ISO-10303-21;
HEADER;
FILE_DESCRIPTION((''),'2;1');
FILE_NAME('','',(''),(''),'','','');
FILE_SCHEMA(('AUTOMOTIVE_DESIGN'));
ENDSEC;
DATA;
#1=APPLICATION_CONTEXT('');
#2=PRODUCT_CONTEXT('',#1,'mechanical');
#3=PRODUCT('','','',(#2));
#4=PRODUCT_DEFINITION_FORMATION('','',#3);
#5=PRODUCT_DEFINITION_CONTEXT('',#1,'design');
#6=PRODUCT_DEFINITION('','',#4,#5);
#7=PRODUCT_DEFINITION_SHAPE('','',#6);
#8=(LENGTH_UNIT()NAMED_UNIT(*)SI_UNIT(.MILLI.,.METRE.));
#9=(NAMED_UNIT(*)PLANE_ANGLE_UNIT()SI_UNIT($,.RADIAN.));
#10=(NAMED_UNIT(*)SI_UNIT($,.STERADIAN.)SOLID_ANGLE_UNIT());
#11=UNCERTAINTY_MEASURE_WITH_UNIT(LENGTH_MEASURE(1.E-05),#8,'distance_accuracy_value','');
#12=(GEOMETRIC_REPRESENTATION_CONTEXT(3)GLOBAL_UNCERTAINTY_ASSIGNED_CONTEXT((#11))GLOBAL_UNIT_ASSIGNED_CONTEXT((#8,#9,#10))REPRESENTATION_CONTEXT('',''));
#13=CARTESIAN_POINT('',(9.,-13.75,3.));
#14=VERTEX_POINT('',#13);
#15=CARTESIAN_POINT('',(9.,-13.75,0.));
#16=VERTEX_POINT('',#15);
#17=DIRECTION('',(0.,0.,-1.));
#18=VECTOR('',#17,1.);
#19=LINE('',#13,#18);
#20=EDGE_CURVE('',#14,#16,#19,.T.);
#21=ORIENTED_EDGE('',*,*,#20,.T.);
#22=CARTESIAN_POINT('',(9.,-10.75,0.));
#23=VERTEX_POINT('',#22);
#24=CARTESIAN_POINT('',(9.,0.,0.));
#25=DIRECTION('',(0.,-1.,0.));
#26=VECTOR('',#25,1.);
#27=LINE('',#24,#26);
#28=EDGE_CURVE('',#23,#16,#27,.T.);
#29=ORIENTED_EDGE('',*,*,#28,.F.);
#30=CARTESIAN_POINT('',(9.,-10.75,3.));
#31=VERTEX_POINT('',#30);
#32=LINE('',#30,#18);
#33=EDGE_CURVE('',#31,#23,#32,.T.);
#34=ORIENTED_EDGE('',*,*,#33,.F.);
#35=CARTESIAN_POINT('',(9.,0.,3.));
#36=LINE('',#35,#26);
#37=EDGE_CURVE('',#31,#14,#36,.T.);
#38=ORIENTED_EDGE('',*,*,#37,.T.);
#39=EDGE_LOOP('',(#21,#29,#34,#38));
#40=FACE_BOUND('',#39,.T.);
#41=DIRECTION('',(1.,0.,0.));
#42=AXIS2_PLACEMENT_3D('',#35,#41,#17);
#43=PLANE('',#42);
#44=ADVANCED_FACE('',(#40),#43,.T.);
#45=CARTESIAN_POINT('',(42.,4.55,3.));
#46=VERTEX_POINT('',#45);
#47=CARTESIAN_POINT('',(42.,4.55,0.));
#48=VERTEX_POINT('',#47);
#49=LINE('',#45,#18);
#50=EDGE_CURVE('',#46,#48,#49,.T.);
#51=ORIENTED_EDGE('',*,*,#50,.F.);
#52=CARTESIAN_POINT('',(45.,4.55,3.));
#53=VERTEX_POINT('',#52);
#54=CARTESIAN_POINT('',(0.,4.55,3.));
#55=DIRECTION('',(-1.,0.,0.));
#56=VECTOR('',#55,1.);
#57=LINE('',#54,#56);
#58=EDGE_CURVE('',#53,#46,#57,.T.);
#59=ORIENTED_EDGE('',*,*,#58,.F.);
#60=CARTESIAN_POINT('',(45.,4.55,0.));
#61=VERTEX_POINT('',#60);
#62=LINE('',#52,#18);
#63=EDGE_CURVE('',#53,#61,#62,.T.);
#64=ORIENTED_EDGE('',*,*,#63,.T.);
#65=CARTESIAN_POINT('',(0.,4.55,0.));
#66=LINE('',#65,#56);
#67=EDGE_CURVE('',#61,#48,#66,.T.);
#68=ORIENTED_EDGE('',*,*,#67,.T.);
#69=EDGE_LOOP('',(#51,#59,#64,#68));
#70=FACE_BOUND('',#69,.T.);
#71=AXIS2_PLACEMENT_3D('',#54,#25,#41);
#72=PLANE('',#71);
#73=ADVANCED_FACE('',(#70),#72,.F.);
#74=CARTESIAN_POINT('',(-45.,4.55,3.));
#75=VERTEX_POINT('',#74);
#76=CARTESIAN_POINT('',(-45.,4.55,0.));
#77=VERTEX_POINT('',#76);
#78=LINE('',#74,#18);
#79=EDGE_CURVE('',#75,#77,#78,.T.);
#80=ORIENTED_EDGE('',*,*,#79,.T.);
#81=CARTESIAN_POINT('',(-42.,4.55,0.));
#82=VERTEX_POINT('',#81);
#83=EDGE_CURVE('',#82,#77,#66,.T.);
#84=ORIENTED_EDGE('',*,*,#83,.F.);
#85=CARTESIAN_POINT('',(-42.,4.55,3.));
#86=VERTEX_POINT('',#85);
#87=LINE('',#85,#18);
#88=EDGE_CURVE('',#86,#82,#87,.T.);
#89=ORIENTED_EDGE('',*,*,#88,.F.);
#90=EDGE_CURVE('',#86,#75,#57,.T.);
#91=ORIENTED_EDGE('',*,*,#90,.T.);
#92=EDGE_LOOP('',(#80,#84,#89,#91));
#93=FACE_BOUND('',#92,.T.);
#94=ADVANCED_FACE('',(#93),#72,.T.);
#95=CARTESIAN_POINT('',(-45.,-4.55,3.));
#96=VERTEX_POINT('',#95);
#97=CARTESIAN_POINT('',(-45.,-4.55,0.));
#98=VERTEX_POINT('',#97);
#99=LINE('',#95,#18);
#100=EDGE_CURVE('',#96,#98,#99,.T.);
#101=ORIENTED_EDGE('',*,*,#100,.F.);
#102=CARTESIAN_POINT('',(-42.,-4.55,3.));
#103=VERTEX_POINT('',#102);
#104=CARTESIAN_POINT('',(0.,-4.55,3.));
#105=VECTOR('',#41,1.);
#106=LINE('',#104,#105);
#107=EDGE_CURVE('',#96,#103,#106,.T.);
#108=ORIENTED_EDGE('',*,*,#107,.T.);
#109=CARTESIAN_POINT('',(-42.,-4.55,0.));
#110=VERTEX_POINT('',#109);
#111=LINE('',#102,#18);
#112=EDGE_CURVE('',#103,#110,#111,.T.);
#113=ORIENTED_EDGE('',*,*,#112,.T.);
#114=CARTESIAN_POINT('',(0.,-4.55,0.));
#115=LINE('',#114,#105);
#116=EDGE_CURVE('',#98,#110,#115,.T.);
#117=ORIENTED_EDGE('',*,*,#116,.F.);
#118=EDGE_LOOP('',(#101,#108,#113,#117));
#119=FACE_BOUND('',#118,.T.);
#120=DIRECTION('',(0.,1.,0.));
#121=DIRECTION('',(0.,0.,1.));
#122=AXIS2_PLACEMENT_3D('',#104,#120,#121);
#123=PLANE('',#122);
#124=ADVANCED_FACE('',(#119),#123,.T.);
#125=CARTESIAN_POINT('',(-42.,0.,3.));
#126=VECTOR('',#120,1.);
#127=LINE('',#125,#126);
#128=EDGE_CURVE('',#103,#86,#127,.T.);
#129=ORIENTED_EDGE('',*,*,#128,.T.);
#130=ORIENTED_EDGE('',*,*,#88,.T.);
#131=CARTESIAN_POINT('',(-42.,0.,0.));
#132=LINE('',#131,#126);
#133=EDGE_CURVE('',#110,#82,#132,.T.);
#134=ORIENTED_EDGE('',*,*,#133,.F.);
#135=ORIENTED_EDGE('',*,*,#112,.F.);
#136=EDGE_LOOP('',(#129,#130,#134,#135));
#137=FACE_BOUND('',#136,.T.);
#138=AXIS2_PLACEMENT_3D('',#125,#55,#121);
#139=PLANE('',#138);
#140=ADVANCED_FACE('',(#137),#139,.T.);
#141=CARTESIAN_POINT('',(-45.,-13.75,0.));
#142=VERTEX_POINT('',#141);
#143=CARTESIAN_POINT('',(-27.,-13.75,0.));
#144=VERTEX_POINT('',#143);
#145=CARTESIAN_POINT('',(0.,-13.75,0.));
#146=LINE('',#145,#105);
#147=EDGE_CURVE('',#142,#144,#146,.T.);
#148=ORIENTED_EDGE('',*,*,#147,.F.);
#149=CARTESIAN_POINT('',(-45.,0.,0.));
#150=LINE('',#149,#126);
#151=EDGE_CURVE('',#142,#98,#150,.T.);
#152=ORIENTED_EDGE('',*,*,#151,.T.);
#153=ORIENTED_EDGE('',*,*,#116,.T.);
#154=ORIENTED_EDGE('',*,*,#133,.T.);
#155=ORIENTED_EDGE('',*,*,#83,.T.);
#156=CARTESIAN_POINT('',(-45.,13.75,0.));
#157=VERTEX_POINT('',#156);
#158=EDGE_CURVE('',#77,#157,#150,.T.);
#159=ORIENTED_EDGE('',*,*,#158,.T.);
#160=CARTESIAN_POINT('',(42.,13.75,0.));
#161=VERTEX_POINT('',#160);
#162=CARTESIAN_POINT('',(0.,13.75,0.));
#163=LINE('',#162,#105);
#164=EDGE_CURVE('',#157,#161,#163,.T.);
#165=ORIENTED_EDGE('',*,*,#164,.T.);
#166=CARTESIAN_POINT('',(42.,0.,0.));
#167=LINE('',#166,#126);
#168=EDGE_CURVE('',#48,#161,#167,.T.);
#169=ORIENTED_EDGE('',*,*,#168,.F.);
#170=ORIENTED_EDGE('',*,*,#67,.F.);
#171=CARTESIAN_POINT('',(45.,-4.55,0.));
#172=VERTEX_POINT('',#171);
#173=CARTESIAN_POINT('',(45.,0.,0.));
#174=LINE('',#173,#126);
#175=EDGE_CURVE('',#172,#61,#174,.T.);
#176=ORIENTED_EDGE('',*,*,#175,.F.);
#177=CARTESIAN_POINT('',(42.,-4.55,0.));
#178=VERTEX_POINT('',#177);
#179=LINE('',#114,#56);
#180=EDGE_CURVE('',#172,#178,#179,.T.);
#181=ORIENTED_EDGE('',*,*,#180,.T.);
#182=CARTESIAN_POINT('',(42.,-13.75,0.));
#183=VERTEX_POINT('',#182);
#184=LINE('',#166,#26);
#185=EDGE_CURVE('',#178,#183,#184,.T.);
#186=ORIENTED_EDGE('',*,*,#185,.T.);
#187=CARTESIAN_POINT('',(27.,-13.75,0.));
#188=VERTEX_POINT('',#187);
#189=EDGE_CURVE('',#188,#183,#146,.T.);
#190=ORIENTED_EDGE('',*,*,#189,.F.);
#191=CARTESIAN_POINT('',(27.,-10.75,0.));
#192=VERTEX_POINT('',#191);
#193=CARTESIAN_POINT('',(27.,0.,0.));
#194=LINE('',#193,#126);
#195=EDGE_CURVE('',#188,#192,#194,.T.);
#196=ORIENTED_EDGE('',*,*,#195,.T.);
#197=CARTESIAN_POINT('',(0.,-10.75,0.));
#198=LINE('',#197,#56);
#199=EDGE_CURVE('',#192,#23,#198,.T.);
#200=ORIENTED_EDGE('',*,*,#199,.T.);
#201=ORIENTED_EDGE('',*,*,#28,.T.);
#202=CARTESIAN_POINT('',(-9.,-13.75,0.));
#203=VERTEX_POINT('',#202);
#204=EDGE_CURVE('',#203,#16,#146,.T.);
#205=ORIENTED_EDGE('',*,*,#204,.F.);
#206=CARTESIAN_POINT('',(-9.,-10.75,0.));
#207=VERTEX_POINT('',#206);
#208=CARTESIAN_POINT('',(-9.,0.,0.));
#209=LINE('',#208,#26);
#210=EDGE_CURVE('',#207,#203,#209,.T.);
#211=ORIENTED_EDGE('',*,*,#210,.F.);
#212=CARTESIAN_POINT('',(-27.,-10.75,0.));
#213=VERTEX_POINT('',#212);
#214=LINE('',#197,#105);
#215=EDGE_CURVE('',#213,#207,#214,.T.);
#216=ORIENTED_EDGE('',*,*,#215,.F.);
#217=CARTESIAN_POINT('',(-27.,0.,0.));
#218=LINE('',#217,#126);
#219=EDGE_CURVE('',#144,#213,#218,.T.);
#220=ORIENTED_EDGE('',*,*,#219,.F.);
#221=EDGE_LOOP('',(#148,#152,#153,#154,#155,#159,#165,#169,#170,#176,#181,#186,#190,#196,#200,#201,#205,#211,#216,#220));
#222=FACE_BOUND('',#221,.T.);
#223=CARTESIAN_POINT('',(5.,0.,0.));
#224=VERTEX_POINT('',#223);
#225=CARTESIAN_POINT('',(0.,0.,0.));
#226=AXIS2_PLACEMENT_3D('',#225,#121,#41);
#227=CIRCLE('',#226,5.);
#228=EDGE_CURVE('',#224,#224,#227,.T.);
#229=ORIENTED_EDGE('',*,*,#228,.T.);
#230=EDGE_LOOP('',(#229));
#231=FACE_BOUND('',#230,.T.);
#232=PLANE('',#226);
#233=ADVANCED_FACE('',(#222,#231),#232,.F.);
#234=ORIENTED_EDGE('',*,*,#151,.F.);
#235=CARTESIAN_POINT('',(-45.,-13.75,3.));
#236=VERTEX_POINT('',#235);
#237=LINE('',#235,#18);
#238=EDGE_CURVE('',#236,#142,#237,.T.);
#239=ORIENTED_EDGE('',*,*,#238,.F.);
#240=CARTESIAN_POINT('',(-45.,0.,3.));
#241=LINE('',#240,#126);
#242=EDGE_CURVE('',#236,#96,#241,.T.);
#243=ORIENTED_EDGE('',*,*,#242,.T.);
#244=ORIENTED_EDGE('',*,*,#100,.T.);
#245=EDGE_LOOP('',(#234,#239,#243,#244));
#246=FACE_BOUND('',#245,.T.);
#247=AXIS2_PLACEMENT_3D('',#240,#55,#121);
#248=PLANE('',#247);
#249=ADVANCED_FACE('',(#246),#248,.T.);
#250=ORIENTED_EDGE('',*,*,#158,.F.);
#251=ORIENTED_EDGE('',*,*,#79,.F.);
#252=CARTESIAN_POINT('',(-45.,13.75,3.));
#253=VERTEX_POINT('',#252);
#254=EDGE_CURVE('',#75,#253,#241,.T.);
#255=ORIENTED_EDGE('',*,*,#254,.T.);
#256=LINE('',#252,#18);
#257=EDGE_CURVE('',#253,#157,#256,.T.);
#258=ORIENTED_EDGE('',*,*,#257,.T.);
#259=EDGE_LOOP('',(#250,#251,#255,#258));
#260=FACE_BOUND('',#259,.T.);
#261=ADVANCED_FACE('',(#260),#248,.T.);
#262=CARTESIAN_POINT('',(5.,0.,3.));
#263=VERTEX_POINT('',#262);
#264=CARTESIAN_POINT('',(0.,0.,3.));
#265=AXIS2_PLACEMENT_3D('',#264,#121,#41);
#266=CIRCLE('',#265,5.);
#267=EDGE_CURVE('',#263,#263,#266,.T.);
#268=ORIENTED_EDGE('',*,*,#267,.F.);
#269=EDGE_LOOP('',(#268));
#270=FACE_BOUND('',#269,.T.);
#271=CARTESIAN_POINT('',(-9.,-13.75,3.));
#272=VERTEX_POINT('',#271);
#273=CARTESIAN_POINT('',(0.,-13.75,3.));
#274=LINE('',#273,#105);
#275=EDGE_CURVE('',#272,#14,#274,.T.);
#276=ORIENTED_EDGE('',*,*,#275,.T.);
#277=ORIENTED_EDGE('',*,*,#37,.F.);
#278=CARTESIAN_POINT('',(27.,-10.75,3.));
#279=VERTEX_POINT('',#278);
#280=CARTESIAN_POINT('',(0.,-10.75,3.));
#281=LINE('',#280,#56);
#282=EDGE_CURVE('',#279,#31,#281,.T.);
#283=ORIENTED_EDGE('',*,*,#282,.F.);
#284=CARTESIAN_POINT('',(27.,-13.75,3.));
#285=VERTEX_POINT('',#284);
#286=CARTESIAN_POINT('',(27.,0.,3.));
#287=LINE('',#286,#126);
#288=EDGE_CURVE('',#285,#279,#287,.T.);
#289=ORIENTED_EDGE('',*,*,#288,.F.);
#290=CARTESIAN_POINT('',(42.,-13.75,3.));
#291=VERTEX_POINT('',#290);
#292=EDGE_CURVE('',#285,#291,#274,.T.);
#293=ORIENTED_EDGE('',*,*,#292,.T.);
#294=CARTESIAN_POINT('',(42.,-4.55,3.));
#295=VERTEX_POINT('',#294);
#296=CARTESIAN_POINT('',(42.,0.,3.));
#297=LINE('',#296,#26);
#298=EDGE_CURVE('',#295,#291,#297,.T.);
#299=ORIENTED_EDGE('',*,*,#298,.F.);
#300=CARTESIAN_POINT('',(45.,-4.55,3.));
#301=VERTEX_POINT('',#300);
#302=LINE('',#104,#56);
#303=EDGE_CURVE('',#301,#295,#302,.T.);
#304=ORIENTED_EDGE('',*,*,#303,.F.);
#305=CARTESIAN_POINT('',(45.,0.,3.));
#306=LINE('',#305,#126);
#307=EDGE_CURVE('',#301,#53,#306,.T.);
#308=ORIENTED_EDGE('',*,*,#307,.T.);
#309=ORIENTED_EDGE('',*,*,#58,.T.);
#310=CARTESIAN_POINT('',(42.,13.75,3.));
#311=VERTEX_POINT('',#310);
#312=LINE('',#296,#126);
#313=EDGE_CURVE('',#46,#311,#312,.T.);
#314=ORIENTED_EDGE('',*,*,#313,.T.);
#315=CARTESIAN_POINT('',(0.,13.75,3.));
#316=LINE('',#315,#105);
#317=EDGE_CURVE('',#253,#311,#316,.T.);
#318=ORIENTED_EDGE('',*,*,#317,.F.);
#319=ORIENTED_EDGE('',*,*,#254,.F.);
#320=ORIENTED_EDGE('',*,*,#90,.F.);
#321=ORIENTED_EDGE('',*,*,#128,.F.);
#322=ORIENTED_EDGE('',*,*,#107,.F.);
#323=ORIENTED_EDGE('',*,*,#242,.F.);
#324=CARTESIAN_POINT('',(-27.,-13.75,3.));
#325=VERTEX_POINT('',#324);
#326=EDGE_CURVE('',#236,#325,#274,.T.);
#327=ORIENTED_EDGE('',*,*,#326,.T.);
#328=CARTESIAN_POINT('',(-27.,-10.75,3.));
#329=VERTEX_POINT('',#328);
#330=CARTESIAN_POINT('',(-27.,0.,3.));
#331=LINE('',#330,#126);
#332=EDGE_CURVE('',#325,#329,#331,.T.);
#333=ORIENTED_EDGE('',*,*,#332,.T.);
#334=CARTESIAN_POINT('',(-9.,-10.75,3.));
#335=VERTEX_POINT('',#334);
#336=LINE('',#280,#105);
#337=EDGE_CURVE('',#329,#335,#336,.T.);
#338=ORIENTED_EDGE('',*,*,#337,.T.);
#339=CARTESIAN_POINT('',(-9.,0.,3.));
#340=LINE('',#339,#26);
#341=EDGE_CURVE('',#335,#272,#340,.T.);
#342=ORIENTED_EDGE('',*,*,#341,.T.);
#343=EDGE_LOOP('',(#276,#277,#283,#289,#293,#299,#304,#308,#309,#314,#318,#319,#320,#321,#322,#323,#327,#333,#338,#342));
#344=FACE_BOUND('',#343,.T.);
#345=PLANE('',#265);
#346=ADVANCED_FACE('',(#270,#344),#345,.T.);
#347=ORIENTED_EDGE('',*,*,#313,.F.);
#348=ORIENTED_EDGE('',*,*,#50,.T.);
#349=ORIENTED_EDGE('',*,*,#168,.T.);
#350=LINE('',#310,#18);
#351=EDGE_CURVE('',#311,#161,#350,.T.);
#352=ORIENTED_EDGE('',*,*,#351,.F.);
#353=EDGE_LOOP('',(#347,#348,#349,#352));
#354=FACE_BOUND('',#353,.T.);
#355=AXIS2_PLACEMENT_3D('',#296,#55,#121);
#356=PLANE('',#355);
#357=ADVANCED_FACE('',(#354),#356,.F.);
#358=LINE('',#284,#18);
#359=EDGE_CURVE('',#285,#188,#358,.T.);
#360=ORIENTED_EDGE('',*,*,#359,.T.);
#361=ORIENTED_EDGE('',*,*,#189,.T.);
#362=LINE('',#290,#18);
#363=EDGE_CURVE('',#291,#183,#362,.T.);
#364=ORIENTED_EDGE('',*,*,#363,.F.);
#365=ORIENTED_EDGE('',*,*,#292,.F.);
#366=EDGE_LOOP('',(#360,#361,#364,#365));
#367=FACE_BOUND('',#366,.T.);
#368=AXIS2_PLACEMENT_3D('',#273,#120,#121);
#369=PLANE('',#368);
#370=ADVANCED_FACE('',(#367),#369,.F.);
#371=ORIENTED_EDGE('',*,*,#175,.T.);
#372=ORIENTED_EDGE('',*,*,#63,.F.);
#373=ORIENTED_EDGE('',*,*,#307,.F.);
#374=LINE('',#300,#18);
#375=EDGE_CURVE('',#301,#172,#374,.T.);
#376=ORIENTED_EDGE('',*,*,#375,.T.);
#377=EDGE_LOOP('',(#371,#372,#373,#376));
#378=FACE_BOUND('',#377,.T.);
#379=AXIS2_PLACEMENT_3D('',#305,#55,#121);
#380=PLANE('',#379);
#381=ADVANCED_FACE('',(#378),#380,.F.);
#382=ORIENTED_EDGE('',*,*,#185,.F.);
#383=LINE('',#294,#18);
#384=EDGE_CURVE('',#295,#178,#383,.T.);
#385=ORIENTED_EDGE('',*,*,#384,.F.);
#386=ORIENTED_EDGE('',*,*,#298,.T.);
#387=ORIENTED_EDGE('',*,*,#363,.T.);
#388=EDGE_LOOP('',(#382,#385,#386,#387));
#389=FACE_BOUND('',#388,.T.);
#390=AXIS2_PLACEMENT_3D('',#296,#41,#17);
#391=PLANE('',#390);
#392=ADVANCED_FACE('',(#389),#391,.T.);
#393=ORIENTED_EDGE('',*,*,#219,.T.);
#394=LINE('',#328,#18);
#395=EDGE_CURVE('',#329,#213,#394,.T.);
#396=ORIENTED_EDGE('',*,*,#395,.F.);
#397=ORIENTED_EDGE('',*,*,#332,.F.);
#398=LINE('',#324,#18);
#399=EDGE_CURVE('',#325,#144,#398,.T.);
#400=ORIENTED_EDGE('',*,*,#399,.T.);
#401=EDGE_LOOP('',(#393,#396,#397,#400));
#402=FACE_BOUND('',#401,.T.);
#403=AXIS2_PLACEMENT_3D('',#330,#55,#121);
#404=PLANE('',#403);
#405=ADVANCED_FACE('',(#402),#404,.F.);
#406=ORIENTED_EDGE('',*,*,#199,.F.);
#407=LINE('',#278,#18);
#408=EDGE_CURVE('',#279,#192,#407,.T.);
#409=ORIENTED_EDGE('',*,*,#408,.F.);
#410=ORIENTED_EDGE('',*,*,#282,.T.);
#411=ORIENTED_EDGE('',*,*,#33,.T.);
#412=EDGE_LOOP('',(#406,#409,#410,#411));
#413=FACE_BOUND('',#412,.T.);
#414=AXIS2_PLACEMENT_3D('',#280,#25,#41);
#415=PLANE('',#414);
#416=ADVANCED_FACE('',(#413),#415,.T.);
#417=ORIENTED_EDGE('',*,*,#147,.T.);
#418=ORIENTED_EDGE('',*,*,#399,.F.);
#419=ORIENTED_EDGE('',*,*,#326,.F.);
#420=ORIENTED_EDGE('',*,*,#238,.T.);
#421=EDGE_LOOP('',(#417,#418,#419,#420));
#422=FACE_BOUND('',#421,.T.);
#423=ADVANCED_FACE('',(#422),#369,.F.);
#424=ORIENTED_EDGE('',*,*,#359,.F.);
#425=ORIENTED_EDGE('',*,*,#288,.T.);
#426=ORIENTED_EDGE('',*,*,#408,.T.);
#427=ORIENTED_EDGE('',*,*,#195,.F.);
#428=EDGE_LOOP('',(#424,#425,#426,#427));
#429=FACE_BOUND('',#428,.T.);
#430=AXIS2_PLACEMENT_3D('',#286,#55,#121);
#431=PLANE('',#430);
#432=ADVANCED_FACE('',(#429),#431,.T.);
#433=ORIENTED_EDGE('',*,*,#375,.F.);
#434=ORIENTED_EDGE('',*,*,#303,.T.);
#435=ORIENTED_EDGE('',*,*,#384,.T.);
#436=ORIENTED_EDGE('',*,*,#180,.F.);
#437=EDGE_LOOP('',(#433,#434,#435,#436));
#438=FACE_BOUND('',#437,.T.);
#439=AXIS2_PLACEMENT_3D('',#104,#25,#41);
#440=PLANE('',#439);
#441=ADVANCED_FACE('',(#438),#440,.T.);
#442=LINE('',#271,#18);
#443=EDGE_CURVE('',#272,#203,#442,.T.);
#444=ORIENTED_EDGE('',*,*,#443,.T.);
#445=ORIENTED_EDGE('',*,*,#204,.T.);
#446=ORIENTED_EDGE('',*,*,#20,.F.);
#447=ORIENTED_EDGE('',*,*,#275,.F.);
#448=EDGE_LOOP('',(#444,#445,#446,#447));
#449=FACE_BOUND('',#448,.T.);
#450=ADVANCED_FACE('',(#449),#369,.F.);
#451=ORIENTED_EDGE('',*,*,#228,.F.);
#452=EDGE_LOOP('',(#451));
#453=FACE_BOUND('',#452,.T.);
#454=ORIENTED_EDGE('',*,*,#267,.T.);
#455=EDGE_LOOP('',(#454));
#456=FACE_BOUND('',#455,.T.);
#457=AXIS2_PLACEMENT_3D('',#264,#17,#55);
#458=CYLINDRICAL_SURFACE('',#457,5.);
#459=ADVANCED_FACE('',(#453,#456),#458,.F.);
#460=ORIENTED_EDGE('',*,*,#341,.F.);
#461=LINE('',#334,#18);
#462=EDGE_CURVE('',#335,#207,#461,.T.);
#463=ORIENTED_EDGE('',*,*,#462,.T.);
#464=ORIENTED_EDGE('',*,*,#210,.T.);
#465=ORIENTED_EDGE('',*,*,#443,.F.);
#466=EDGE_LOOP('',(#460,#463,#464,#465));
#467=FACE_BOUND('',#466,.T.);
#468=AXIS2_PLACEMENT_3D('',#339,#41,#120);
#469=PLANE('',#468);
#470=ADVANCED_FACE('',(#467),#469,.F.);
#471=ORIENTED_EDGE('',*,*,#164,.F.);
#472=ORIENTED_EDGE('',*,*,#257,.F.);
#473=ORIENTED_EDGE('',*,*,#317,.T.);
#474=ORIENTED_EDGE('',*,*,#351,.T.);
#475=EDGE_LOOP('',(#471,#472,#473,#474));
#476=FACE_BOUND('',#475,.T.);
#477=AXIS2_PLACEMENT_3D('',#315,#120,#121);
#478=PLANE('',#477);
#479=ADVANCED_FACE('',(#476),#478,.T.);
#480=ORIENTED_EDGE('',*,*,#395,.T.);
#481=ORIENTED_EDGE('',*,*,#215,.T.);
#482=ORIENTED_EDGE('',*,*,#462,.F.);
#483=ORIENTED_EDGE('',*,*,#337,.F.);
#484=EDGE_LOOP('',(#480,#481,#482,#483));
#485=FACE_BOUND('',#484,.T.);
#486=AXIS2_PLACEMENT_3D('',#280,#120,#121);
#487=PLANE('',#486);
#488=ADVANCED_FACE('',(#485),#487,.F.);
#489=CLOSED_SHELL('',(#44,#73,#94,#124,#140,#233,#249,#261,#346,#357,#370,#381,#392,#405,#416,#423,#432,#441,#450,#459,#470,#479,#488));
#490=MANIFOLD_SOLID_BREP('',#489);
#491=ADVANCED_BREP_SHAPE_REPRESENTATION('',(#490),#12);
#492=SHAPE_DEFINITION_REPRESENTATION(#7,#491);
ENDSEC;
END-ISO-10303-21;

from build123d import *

# Parameters (mm, degrees)
SKETCH1_R           = 5
BOSS_EXTRUDE1_DEPTH = 3


with BuildPart() as part:
    # Sketch1 → Boss-Extrude1 (new body)
    with BuildSketch(Plane.XY):
        Polygon((-42, -4.55), (-45, -4.55), (-45, -13.75), (-27, -13.75), (-27, -10.75), (-9, -10.75), (-9, -13.75), (9, -13.75), (9, -10.75), (27, -10.75), (27, -13.75), (42, -13.75), (42, -4.55), (45, -4.55), (45, 4.55), (42, 4.55), (42, 13.75), (-45, 13.75), (-45, 4.55), (-42, 4.55), align=None)
        Circle(SKETCH1_R, mode=Mode.SUBTRACT)
    extrude(amount=BOSS_EXTRUDE1_DEPTH)


solid = part.part
